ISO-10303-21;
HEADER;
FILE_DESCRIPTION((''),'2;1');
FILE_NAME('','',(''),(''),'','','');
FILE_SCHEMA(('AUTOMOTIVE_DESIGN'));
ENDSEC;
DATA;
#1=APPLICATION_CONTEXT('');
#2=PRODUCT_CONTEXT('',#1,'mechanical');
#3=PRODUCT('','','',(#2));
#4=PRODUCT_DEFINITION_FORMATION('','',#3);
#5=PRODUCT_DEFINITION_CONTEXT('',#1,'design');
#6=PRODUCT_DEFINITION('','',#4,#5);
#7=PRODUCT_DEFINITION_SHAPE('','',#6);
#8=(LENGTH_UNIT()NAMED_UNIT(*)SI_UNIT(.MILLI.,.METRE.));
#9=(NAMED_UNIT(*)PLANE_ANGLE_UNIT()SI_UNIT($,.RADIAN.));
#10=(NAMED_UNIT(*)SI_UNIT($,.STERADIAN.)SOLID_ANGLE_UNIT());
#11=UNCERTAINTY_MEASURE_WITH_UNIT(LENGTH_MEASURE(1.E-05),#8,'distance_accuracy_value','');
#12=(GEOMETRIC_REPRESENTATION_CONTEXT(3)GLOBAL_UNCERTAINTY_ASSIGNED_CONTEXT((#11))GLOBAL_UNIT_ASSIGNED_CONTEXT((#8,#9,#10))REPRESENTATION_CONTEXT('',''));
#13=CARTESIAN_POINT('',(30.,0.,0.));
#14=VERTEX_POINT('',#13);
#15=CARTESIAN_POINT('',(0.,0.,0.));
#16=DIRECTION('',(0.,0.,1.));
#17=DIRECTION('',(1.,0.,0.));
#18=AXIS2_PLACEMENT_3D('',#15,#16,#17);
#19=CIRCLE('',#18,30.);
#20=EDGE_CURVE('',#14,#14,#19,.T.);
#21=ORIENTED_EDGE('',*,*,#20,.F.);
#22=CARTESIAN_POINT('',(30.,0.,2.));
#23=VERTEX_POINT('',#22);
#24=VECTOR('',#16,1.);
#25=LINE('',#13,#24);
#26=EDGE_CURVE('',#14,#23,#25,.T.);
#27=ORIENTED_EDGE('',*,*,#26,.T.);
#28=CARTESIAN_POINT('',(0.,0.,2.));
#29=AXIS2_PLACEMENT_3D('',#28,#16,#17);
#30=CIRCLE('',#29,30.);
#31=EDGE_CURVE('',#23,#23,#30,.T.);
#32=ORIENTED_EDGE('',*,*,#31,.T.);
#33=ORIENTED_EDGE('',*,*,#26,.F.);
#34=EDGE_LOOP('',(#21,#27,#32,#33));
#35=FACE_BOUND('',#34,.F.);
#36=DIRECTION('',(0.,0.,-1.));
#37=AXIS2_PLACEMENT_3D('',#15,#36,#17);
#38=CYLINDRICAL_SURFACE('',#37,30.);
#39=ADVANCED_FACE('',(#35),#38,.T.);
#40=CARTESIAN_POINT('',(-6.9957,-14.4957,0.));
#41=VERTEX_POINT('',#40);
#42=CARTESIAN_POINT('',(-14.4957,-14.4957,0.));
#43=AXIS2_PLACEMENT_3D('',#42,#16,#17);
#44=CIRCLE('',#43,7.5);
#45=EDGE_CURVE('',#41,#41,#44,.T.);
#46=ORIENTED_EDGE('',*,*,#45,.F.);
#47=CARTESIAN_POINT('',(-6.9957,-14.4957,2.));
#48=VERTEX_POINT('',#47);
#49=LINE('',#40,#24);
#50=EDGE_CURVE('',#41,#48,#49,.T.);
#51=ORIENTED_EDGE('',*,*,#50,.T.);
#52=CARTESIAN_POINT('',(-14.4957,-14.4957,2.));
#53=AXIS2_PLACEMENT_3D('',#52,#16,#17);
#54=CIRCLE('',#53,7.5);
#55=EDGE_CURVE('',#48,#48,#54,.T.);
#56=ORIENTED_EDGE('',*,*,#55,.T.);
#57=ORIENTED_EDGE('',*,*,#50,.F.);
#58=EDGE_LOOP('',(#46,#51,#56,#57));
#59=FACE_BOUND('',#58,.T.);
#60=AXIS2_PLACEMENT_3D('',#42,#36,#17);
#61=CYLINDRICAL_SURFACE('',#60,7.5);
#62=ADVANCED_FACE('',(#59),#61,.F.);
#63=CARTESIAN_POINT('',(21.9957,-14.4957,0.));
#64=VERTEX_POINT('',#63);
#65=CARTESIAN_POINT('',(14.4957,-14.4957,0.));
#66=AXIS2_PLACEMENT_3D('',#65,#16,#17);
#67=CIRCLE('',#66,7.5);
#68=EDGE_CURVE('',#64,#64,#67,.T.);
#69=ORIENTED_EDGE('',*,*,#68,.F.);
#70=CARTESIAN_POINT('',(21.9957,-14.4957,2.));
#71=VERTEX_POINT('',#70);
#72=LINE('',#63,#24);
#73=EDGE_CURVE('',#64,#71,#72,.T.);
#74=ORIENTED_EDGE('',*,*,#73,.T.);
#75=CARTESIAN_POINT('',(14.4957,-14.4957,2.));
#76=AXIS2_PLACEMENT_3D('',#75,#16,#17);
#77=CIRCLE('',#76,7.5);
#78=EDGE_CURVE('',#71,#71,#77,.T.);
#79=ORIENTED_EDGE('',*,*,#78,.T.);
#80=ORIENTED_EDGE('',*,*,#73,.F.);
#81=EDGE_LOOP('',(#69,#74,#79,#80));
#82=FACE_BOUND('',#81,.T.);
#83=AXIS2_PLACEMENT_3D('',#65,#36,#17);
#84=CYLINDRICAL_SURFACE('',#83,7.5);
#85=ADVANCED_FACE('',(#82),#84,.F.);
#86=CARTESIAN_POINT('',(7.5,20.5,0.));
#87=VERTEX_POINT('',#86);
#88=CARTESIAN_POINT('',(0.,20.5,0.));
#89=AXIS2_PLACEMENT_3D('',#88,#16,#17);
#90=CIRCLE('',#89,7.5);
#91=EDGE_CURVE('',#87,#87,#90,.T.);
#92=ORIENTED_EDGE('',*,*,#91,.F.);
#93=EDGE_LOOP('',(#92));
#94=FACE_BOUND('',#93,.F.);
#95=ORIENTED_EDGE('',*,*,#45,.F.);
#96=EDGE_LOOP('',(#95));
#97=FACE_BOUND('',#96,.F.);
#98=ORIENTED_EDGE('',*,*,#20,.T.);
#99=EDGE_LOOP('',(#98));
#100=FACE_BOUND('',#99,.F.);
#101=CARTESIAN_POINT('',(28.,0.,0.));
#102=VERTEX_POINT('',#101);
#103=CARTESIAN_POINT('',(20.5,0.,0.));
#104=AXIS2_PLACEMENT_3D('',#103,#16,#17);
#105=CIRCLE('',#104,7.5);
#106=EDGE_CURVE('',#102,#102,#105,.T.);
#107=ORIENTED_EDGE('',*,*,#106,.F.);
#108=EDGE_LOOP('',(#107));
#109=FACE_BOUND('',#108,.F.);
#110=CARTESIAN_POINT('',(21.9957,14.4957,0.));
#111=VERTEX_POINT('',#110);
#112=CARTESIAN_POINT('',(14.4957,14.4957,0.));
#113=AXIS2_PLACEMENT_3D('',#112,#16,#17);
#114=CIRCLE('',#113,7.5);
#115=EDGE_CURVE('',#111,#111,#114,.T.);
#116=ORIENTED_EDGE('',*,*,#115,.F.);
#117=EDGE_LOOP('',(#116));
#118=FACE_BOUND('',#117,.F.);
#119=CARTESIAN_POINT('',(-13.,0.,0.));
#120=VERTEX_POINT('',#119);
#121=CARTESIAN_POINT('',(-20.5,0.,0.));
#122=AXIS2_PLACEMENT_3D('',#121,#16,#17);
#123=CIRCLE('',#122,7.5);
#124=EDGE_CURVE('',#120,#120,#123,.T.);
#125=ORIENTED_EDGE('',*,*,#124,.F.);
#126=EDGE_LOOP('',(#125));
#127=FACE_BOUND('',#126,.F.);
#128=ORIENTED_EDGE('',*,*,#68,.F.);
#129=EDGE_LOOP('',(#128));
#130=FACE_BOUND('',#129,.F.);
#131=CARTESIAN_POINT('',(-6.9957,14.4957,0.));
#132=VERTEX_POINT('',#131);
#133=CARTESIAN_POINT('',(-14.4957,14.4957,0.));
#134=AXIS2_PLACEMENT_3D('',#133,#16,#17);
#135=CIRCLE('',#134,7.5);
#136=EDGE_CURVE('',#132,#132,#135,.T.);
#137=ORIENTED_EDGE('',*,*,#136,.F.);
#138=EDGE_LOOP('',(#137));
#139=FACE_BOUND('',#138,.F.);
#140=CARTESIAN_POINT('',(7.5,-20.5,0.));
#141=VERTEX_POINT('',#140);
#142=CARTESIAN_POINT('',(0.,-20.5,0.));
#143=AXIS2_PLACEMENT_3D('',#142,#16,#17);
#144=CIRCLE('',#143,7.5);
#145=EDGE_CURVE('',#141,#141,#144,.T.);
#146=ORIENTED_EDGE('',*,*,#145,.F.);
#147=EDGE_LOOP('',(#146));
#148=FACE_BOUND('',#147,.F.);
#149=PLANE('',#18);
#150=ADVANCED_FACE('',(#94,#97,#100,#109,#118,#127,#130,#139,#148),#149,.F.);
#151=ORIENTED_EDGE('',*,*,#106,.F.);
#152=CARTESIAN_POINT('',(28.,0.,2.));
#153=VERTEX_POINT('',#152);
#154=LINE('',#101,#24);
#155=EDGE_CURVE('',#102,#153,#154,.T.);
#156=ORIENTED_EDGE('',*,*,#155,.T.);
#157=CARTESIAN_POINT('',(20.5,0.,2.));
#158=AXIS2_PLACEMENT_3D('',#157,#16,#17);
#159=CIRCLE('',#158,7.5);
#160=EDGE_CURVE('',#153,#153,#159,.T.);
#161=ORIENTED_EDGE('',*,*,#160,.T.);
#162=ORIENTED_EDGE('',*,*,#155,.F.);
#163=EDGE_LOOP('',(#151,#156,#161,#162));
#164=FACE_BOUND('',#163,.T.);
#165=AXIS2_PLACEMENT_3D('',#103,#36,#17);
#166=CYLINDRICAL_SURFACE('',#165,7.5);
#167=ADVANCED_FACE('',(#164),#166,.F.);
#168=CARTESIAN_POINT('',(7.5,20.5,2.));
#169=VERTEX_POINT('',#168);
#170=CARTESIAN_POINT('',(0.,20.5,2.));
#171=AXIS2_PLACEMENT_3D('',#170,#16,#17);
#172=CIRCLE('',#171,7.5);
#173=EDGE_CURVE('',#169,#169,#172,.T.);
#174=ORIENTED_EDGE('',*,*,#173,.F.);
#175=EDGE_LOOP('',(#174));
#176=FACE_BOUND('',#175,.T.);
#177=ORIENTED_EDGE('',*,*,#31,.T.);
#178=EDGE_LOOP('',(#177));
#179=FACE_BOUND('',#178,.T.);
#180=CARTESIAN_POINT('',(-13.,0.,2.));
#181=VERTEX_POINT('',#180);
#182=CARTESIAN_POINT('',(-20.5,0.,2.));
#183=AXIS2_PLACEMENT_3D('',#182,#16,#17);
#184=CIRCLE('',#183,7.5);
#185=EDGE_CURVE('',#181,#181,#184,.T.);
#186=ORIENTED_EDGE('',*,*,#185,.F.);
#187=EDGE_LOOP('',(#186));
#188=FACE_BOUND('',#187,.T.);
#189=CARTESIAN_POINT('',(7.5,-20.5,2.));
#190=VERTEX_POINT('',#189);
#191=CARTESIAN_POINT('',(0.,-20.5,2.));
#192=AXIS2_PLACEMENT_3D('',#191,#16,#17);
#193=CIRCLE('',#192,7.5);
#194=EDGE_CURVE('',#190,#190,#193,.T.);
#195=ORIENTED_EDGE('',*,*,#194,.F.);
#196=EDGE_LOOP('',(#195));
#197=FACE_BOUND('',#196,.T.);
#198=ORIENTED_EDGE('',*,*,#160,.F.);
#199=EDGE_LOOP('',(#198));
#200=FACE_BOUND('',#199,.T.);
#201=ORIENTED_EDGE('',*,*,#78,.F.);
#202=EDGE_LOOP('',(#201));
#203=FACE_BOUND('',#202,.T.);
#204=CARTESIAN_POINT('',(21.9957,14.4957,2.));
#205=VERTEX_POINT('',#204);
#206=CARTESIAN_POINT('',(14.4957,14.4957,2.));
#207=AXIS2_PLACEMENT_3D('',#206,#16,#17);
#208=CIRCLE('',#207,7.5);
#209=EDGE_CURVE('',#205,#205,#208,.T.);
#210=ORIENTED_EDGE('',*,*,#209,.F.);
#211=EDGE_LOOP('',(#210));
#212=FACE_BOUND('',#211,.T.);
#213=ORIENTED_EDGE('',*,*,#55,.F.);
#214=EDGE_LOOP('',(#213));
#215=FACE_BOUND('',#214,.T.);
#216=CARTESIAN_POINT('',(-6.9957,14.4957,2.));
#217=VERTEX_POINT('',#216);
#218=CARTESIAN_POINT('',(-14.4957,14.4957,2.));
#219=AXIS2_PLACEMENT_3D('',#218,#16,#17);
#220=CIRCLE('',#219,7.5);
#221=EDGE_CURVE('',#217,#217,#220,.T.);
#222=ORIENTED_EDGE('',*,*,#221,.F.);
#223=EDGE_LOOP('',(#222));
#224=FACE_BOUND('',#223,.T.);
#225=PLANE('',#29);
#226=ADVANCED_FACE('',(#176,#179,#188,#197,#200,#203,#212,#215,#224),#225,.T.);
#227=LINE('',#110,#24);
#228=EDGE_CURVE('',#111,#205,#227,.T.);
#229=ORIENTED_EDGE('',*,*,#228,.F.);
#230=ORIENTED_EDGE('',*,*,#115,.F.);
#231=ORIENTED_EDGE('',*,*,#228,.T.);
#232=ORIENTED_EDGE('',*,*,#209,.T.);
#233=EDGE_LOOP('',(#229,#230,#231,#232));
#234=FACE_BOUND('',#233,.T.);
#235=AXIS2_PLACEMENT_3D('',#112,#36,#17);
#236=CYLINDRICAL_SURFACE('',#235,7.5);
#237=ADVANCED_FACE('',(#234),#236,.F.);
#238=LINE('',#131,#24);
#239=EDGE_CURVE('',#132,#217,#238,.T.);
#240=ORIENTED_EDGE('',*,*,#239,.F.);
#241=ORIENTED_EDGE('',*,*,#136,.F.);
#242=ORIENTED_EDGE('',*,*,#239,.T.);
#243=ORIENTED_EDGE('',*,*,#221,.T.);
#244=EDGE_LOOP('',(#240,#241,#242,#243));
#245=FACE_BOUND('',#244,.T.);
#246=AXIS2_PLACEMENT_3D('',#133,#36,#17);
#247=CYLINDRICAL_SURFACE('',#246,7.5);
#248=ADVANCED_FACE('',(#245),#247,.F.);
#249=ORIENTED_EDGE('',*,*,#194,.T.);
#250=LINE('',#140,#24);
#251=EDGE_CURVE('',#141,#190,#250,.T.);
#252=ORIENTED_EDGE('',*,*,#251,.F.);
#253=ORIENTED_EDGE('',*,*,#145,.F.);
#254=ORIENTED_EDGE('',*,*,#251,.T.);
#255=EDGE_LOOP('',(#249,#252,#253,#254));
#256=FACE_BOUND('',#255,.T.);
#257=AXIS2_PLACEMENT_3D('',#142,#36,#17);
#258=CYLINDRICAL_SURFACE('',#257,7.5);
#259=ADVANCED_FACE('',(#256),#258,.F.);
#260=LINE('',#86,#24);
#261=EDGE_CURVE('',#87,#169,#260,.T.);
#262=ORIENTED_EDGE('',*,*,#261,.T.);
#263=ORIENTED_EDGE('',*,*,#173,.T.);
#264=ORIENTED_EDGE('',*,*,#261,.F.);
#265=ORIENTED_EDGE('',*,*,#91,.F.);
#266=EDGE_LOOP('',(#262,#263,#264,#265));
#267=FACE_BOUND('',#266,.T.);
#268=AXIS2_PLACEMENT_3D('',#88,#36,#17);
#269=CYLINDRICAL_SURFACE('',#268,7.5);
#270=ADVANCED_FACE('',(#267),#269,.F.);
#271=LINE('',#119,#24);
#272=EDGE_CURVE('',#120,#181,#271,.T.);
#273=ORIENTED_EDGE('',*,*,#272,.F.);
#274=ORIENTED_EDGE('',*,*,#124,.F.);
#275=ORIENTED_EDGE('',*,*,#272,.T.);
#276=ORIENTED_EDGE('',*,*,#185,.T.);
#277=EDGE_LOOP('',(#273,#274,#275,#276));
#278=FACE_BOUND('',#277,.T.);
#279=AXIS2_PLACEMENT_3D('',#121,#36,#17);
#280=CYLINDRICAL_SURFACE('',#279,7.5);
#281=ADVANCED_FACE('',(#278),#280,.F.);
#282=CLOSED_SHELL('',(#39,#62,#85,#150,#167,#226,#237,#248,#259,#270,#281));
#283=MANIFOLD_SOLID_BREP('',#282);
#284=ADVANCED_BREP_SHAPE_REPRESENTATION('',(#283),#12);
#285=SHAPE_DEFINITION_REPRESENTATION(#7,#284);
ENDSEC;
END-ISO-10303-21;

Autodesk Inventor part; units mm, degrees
ref_plane "YZ Plane" through (0, 0, 0) normal (1, 0, 0) x (0, 1, 0)
ref_plane "XZ Plane" through (0, 0, 0) normal (0, 1, 0) x (-1, 0, 0)
ref_plane "XY Plane" through (0, 0, 0) normal (0, 0, 1) x (1, 0, 0)
sketch "Sketch1" plane through (0, 0, 0) normal (0, 0, 1) x (1, 0, 0)
  circle A0 centre (-20.5, 0) radius 7.5
  circle A1 centre (-14.4957, -14.4957) radius 7.5
  circle A2 centre (0, -20.5) radius 7.5
  circle A3 centre (14.4957, -14.4957) radius 7.5
  circle A4 centre (20.5, 0) radius 7.5
  circle A5 centre (14.4957, 14.4957) radius 7.5
  circle A6 centre (0, 20.5) radius 7.5
  circle A7 centre (-14.4957, 14.4957) radius 7.5
  circle A8 centre (0, 0) radius 30
  dimension "d0" = 15
  dimension "d1" = 20.5
  dimension "d4" = 360
  dimension "d6" = 60
extrude "Extrusion1" add sketch "Sketch1" along normal blind 2
properties part number "locating"
